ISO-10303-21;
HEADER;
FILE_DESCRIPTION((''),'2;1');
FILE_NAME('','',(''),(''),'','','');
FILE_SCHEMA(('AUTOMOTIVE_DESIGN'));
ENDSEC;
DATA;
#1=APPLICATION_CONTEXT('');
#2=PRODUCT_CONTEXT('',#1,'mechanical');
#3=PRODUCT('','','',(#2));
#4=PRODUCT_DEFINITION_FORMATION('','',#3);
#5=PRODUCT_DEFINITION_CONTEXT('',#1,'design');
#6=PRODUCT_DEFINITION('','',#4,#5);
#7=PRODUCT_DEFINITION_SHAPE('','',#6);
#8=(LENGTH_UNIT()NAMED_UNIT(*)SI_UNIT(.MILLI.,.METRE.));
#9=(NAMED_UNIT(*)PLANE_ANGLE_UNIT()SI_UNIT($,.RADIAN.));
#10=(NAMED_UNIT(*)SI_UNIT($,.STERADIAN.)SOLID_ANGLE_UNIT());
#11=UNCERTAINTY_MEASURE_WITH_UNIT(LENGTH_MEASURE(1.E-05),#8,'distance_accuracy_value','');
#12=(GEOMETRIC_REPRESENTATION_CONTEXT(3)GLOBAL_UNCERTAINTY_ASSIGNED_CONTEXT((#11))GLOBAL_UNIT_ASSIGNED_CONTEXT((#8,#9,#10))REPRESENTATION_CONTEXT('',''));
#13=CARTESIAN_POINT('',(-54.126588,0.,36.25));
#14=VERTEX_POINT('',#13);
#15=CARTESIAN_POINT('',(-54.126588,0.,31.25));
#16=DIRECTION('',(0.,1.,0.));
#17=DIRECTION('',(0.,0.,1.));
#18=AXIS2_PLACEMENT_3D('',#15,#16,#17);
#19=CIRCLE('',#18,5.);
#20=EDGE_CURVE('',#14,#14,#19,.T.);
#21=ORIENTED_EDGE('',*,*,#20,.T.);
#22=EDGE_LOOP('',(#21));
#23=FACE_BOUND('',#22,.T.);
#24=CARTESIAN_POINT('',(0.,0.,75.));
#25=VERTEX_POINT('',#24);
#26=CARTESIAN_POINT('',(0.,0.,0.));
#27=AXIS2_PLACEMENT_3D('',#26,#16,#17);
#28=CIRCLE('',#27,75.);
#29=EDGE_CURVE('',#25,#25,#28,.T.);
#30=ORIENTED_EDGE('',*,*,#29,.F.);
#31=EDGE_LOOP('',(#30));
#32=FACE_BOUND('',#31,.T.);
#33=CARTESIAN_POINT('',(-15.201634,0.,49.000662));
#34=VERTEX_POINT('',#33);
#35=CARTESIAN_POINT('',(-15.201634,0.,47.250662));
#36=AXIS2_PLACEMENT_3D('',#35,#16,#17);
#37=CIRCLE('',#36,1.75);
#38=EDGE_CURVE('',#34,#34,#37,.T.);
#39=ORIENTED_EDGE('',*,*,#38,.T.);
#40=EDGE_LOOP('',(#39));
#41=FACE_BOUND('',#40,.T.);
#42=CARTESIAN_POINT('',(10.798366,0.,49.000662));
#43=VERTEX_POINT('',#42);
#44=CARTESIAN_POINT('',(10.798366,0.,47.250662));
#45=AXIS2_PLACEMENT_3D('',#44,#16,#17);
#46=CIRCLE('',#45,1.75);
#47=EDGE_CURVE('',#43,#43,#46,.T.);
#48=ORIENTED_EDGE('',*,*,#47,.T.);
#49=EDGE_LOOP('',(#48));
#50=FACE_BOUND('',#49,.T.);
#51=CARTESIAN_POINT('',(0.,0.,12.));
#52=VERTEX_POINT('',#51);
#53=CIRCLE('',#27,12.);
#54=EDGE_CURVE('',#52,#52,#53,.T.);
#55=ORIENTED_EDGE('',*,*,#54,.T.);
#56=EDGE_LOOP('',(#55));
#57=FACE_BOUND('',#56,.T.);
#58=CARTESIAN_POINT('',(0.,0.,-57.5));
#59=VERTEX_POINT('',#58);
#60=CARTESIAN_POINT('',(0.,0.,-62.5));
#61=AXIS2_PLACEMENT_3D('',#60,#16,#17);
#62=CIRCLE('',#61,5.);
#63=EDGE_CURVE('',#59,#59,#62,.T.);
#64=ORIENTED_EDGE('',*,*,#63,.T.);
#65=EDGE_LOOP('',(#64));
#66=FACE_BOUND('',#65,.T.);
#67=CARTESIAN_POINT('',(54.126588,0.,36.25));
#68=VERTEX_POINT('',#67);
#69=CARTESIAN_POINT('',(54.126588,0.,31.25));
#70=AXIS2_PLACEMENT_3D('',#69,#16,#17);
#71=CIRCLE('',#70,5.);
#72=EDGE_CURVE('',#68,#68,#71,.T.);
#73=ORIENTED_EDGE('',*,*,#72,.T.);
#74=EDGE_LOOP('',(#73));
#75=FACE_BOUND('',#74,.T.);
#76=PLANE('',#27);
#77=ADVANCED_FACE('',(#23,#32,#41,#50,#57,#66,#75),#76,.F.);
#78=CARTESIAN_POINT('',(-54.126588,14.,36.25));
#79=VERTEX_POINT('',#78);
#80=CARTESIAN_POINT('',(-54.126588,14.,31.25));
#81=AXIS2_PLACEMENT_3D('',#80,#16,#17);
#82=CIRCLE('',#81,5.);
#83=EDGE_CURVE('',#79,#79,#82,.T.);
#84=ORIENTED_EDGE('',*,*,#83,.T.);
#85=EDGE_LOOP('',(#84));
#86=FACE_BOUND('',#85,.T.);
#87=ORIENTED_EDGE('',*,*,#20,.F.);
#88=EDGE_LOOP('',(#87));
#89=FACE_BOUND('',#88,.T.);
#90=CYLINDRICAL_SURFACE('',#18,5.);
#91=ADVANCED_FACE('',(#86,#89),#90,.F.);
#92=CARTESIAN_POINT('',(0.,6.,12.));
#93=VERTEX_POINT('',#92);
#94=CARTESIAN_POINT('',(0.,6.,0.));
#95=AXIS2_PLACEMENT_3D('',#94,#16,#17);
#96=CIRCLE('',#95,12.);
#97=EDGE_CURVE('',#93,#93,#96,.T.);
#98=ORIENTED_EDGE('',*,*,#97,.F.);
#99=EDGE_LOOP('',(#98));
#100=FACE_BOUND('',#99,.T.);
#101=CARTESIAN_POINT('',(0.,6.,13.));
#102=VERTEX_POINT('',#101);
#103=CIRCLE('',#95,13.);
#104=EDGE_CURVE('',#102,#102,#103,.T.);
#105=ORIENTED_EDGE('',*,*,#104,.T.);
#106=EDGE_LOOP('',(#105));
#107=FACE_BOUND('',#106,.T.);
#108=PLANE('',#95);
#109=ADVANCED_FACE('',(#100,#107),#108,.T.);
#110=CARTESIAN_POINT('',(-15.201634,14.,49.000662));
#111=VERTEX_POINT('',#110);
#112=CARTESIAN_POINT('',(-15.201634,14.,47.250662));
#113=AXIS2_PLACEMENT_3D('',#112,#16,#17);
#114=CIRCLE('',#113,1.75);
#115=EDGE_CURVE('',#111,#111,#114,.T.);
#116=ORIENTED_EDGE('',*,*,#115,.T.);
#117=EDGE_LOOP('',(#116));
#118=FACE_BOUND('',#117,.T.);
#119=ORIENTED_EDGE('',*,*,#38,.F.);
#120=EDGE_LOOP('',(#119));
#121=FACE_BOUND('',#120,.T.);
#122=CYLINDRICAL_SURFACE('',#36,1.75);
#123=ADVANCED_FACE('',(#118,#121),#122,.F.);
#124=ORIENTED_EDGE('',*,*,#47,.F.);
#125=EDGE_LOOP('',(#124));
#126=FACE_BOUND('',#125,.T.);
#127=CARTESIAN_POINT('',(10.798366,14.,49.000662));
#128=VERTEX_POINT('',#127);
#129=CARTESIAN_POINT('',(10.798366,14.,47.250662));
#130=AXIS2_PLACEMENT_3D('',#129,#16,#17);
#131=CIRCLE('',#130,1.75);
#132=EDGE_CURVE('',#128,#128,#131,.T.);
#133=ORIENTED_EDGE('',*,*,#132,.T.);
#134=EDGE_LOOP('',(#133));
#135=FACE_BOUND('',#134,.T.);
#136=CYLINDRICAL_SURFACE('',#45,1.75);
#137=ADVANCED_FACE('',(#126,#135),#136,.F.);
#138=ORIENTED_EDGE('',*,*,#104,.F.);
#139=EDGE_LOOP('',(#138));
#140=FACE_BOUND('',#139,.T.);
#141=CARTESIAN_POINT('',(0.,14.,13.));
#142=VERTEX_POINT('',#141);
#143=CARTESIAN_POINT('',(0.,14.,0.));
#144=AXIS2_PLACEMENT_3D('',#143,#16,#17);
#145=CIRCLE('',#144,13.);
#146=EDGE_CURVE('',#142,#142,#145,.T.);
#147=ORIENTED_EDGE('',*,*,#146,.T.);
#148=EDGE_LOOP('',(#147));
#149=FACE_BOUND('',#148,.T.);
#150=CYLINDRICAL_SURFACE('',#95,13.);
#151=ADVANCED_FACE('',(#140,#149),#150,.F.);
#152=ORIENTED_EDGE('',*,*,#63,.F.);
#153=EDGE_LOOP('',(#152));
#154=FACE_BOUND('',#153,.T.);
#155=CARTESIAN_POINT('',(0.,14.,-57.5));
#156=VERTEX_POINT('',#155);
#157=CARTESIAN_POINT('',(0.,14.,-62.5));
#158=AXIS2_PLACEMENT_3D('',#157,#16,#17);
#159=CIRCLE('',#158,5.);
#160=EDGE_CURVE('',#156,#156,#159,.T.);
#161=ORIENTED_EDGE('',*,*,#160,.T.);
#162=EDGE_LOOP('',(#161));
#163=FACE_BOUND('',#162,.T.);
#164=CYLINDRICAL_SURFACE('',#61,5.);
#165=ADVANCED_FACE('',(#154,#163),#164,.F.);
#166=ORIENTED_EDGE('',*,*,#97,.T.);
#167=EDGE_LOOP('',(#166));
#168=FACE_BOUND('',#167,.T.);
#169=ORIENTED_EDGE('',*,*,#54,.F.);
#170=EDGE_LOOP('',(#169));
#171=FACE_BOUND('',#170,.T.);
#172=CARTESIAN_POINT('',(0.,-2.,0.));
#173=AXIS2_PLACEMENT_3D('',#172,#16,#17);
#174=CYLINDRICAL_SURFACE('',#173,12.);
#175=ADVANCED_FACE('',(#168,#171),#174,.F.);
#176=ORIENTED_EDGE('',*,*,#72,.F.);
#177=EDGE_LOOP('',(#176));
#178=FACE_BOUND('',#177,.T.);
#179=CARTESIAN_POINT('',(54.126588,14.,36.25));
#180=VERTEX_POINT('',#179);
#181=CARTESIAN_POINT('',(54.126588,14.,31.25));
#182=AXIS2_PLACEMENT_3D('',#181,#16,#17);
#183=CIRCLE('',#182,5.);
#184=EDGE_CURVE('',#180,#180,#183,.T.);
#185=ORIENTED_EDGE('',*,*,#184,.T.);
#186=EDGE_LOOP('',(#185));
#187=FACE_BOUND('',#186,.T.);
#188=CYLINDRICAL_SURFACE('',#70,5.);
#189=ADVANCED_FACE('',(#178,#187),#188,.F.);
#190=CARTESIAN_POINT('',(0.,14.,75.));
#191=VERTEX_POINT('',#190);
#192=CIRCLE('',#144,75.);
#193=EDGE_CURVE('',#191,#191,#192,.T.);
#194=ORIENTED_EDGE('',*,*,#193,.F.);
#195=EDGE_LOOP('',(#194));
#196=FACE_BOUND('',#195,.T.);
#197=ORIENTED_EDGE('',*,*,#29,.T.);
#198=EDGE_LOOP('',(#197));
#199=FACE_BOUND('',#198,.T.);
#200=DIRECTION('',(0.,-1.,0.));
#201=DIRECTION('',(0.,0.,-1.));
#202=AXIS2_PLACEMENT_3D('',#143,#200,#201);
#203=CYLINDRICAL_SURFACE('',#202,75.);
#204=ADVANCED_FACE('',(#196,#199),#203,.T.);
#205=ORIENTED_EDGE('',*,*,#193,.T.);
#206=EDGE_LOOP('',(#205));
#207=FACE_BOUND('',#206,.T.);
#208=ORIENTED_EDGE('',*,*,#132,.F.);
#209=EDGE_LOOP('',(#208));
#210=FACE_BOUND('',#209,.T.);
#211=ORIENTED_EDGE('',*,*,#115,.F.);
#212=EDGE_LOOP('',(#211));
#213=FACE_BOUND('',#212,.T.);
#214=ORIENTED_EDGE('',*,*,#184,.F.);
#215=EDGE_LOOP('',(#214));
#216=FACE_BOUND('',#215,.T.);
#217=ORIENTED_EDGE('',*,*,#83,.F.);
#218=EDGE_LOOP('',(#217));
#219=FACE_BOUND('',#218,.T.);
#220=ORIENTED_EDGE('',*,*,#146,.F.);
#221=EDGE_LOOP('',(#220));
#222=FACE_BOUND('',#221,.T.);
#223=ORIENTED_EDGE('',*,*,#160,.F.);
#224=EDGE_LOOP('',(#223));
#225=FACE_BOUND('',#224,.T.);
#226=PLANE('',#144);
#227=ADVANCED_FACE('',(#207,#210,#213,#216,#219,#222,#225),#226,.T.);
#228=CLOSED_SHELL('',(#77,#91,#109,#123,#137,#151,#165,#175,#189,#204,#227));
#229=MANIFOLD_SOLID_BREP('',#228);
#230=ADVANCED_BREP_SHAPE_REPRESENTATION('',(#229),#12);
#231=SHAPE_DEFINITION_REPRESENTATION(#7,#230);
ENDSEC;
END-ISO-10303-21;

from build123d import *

# Parameters (mm, degrees)
SKETCH1_R           = 75
BOSS_EXTRUDE1_DEPTH = 14
SKETCH2_R           = 13
CUT_EXTRUDE1_DEPTH  = 8
SKETCH3_R           = 12
CUT_EXTRUDE2_DEPTH  = 8
SKETCH4_R           = 5
CUT_EXTRUDE4_DEPTH  = 107.98598039
SKETCH5_R           = 1.75
CUT_EXTRUDE5_DEPTH  = 107.98598039


with BuildPart() as part:
    # Sketch1 → Boss-Extrude1 (new body)
    with BuildSketch(Plane(origin=(0, 0, 0), x_dir=(1, 0, 0), z_dir=(0, 1, 0))):
        with Locations(Location((0, 0, 0), (0, 0, 270))):
            Circle(SKETCH1_R)
    extrude(amount=BOSS_EXTRUDE1_DEPTH)

    # Sketch2 → Cut-Extrude1 (cut)
    with BuildSketch(Plane(origin=(0, 14, 0), x_dir=(1, 0, 0), z_dir=(0, 1, 0))):
        with Locations(Location((0, 0, 0), (0, 0, 270))):
            Circle(SKETCH2_R)
    extrude(amount=-CUT_EXTRUDE1_DEPTH, mode=Mode.SUBTRACT)

    # Sketch3 → Cut-Extrude2 (cut)
    with BuildSketch(Plane(origin=(0, 6, 0), x_dir=(1, 0, 0), z_dir=(0, 1, 0))):
        with Locations(Location((0, 0, 0), (0, 0, 270))):
            Circle(SKETCH3_R)
    extrude(amount=-CUT_EXTRUDE2_DEPTH, mode=Mode.SUBTRACT)

    # Sketch4 → Cut-Extrude4 (cut, through all)
    with BuildSketch(Plane(origin=(0, 14, 0), x_dir=(1, 0, 0), z_dir=(0, 1, 0))):
        with Locations(Location((0, 62.5, 0), (0, 0, 270))):
            Circle(SKETCH4_R)
        with Locations(Location((-54.126587737, -31.25, 0), (0, 0, 270))):
            Circle(SKETCH4_R)
        with Locations(Location((54.126587737, -31.25, 0), (0, 0, 270))):
            Circle(SKETCH4_R)
    extrude(amount=-CUT_EXTRUDE4_DEPTH, mode=Mode.SUBTRACT)

    # Sketch5 → Cut-Extrude5 (cut, through all)
    with BuildSketch(Plane(origin=(0, 14, 0), x_dir=(1, 0, 0), z_dir=(0, 1, 0))):
        with Locations(Location((-15.201634245, -47.250661584, 0), (0, 0, 270))):
            Circle(SKETCH5_R)
        with Locations(Location((10.798365755, -47.250661584, 0), (0, 0, 270))):
            Circle(SKETCH5_R)
    extrude(amount=-CUT_EXTRUDE5_DEPTH, mode=Mode.SUBTRACT)


solid = part.part
